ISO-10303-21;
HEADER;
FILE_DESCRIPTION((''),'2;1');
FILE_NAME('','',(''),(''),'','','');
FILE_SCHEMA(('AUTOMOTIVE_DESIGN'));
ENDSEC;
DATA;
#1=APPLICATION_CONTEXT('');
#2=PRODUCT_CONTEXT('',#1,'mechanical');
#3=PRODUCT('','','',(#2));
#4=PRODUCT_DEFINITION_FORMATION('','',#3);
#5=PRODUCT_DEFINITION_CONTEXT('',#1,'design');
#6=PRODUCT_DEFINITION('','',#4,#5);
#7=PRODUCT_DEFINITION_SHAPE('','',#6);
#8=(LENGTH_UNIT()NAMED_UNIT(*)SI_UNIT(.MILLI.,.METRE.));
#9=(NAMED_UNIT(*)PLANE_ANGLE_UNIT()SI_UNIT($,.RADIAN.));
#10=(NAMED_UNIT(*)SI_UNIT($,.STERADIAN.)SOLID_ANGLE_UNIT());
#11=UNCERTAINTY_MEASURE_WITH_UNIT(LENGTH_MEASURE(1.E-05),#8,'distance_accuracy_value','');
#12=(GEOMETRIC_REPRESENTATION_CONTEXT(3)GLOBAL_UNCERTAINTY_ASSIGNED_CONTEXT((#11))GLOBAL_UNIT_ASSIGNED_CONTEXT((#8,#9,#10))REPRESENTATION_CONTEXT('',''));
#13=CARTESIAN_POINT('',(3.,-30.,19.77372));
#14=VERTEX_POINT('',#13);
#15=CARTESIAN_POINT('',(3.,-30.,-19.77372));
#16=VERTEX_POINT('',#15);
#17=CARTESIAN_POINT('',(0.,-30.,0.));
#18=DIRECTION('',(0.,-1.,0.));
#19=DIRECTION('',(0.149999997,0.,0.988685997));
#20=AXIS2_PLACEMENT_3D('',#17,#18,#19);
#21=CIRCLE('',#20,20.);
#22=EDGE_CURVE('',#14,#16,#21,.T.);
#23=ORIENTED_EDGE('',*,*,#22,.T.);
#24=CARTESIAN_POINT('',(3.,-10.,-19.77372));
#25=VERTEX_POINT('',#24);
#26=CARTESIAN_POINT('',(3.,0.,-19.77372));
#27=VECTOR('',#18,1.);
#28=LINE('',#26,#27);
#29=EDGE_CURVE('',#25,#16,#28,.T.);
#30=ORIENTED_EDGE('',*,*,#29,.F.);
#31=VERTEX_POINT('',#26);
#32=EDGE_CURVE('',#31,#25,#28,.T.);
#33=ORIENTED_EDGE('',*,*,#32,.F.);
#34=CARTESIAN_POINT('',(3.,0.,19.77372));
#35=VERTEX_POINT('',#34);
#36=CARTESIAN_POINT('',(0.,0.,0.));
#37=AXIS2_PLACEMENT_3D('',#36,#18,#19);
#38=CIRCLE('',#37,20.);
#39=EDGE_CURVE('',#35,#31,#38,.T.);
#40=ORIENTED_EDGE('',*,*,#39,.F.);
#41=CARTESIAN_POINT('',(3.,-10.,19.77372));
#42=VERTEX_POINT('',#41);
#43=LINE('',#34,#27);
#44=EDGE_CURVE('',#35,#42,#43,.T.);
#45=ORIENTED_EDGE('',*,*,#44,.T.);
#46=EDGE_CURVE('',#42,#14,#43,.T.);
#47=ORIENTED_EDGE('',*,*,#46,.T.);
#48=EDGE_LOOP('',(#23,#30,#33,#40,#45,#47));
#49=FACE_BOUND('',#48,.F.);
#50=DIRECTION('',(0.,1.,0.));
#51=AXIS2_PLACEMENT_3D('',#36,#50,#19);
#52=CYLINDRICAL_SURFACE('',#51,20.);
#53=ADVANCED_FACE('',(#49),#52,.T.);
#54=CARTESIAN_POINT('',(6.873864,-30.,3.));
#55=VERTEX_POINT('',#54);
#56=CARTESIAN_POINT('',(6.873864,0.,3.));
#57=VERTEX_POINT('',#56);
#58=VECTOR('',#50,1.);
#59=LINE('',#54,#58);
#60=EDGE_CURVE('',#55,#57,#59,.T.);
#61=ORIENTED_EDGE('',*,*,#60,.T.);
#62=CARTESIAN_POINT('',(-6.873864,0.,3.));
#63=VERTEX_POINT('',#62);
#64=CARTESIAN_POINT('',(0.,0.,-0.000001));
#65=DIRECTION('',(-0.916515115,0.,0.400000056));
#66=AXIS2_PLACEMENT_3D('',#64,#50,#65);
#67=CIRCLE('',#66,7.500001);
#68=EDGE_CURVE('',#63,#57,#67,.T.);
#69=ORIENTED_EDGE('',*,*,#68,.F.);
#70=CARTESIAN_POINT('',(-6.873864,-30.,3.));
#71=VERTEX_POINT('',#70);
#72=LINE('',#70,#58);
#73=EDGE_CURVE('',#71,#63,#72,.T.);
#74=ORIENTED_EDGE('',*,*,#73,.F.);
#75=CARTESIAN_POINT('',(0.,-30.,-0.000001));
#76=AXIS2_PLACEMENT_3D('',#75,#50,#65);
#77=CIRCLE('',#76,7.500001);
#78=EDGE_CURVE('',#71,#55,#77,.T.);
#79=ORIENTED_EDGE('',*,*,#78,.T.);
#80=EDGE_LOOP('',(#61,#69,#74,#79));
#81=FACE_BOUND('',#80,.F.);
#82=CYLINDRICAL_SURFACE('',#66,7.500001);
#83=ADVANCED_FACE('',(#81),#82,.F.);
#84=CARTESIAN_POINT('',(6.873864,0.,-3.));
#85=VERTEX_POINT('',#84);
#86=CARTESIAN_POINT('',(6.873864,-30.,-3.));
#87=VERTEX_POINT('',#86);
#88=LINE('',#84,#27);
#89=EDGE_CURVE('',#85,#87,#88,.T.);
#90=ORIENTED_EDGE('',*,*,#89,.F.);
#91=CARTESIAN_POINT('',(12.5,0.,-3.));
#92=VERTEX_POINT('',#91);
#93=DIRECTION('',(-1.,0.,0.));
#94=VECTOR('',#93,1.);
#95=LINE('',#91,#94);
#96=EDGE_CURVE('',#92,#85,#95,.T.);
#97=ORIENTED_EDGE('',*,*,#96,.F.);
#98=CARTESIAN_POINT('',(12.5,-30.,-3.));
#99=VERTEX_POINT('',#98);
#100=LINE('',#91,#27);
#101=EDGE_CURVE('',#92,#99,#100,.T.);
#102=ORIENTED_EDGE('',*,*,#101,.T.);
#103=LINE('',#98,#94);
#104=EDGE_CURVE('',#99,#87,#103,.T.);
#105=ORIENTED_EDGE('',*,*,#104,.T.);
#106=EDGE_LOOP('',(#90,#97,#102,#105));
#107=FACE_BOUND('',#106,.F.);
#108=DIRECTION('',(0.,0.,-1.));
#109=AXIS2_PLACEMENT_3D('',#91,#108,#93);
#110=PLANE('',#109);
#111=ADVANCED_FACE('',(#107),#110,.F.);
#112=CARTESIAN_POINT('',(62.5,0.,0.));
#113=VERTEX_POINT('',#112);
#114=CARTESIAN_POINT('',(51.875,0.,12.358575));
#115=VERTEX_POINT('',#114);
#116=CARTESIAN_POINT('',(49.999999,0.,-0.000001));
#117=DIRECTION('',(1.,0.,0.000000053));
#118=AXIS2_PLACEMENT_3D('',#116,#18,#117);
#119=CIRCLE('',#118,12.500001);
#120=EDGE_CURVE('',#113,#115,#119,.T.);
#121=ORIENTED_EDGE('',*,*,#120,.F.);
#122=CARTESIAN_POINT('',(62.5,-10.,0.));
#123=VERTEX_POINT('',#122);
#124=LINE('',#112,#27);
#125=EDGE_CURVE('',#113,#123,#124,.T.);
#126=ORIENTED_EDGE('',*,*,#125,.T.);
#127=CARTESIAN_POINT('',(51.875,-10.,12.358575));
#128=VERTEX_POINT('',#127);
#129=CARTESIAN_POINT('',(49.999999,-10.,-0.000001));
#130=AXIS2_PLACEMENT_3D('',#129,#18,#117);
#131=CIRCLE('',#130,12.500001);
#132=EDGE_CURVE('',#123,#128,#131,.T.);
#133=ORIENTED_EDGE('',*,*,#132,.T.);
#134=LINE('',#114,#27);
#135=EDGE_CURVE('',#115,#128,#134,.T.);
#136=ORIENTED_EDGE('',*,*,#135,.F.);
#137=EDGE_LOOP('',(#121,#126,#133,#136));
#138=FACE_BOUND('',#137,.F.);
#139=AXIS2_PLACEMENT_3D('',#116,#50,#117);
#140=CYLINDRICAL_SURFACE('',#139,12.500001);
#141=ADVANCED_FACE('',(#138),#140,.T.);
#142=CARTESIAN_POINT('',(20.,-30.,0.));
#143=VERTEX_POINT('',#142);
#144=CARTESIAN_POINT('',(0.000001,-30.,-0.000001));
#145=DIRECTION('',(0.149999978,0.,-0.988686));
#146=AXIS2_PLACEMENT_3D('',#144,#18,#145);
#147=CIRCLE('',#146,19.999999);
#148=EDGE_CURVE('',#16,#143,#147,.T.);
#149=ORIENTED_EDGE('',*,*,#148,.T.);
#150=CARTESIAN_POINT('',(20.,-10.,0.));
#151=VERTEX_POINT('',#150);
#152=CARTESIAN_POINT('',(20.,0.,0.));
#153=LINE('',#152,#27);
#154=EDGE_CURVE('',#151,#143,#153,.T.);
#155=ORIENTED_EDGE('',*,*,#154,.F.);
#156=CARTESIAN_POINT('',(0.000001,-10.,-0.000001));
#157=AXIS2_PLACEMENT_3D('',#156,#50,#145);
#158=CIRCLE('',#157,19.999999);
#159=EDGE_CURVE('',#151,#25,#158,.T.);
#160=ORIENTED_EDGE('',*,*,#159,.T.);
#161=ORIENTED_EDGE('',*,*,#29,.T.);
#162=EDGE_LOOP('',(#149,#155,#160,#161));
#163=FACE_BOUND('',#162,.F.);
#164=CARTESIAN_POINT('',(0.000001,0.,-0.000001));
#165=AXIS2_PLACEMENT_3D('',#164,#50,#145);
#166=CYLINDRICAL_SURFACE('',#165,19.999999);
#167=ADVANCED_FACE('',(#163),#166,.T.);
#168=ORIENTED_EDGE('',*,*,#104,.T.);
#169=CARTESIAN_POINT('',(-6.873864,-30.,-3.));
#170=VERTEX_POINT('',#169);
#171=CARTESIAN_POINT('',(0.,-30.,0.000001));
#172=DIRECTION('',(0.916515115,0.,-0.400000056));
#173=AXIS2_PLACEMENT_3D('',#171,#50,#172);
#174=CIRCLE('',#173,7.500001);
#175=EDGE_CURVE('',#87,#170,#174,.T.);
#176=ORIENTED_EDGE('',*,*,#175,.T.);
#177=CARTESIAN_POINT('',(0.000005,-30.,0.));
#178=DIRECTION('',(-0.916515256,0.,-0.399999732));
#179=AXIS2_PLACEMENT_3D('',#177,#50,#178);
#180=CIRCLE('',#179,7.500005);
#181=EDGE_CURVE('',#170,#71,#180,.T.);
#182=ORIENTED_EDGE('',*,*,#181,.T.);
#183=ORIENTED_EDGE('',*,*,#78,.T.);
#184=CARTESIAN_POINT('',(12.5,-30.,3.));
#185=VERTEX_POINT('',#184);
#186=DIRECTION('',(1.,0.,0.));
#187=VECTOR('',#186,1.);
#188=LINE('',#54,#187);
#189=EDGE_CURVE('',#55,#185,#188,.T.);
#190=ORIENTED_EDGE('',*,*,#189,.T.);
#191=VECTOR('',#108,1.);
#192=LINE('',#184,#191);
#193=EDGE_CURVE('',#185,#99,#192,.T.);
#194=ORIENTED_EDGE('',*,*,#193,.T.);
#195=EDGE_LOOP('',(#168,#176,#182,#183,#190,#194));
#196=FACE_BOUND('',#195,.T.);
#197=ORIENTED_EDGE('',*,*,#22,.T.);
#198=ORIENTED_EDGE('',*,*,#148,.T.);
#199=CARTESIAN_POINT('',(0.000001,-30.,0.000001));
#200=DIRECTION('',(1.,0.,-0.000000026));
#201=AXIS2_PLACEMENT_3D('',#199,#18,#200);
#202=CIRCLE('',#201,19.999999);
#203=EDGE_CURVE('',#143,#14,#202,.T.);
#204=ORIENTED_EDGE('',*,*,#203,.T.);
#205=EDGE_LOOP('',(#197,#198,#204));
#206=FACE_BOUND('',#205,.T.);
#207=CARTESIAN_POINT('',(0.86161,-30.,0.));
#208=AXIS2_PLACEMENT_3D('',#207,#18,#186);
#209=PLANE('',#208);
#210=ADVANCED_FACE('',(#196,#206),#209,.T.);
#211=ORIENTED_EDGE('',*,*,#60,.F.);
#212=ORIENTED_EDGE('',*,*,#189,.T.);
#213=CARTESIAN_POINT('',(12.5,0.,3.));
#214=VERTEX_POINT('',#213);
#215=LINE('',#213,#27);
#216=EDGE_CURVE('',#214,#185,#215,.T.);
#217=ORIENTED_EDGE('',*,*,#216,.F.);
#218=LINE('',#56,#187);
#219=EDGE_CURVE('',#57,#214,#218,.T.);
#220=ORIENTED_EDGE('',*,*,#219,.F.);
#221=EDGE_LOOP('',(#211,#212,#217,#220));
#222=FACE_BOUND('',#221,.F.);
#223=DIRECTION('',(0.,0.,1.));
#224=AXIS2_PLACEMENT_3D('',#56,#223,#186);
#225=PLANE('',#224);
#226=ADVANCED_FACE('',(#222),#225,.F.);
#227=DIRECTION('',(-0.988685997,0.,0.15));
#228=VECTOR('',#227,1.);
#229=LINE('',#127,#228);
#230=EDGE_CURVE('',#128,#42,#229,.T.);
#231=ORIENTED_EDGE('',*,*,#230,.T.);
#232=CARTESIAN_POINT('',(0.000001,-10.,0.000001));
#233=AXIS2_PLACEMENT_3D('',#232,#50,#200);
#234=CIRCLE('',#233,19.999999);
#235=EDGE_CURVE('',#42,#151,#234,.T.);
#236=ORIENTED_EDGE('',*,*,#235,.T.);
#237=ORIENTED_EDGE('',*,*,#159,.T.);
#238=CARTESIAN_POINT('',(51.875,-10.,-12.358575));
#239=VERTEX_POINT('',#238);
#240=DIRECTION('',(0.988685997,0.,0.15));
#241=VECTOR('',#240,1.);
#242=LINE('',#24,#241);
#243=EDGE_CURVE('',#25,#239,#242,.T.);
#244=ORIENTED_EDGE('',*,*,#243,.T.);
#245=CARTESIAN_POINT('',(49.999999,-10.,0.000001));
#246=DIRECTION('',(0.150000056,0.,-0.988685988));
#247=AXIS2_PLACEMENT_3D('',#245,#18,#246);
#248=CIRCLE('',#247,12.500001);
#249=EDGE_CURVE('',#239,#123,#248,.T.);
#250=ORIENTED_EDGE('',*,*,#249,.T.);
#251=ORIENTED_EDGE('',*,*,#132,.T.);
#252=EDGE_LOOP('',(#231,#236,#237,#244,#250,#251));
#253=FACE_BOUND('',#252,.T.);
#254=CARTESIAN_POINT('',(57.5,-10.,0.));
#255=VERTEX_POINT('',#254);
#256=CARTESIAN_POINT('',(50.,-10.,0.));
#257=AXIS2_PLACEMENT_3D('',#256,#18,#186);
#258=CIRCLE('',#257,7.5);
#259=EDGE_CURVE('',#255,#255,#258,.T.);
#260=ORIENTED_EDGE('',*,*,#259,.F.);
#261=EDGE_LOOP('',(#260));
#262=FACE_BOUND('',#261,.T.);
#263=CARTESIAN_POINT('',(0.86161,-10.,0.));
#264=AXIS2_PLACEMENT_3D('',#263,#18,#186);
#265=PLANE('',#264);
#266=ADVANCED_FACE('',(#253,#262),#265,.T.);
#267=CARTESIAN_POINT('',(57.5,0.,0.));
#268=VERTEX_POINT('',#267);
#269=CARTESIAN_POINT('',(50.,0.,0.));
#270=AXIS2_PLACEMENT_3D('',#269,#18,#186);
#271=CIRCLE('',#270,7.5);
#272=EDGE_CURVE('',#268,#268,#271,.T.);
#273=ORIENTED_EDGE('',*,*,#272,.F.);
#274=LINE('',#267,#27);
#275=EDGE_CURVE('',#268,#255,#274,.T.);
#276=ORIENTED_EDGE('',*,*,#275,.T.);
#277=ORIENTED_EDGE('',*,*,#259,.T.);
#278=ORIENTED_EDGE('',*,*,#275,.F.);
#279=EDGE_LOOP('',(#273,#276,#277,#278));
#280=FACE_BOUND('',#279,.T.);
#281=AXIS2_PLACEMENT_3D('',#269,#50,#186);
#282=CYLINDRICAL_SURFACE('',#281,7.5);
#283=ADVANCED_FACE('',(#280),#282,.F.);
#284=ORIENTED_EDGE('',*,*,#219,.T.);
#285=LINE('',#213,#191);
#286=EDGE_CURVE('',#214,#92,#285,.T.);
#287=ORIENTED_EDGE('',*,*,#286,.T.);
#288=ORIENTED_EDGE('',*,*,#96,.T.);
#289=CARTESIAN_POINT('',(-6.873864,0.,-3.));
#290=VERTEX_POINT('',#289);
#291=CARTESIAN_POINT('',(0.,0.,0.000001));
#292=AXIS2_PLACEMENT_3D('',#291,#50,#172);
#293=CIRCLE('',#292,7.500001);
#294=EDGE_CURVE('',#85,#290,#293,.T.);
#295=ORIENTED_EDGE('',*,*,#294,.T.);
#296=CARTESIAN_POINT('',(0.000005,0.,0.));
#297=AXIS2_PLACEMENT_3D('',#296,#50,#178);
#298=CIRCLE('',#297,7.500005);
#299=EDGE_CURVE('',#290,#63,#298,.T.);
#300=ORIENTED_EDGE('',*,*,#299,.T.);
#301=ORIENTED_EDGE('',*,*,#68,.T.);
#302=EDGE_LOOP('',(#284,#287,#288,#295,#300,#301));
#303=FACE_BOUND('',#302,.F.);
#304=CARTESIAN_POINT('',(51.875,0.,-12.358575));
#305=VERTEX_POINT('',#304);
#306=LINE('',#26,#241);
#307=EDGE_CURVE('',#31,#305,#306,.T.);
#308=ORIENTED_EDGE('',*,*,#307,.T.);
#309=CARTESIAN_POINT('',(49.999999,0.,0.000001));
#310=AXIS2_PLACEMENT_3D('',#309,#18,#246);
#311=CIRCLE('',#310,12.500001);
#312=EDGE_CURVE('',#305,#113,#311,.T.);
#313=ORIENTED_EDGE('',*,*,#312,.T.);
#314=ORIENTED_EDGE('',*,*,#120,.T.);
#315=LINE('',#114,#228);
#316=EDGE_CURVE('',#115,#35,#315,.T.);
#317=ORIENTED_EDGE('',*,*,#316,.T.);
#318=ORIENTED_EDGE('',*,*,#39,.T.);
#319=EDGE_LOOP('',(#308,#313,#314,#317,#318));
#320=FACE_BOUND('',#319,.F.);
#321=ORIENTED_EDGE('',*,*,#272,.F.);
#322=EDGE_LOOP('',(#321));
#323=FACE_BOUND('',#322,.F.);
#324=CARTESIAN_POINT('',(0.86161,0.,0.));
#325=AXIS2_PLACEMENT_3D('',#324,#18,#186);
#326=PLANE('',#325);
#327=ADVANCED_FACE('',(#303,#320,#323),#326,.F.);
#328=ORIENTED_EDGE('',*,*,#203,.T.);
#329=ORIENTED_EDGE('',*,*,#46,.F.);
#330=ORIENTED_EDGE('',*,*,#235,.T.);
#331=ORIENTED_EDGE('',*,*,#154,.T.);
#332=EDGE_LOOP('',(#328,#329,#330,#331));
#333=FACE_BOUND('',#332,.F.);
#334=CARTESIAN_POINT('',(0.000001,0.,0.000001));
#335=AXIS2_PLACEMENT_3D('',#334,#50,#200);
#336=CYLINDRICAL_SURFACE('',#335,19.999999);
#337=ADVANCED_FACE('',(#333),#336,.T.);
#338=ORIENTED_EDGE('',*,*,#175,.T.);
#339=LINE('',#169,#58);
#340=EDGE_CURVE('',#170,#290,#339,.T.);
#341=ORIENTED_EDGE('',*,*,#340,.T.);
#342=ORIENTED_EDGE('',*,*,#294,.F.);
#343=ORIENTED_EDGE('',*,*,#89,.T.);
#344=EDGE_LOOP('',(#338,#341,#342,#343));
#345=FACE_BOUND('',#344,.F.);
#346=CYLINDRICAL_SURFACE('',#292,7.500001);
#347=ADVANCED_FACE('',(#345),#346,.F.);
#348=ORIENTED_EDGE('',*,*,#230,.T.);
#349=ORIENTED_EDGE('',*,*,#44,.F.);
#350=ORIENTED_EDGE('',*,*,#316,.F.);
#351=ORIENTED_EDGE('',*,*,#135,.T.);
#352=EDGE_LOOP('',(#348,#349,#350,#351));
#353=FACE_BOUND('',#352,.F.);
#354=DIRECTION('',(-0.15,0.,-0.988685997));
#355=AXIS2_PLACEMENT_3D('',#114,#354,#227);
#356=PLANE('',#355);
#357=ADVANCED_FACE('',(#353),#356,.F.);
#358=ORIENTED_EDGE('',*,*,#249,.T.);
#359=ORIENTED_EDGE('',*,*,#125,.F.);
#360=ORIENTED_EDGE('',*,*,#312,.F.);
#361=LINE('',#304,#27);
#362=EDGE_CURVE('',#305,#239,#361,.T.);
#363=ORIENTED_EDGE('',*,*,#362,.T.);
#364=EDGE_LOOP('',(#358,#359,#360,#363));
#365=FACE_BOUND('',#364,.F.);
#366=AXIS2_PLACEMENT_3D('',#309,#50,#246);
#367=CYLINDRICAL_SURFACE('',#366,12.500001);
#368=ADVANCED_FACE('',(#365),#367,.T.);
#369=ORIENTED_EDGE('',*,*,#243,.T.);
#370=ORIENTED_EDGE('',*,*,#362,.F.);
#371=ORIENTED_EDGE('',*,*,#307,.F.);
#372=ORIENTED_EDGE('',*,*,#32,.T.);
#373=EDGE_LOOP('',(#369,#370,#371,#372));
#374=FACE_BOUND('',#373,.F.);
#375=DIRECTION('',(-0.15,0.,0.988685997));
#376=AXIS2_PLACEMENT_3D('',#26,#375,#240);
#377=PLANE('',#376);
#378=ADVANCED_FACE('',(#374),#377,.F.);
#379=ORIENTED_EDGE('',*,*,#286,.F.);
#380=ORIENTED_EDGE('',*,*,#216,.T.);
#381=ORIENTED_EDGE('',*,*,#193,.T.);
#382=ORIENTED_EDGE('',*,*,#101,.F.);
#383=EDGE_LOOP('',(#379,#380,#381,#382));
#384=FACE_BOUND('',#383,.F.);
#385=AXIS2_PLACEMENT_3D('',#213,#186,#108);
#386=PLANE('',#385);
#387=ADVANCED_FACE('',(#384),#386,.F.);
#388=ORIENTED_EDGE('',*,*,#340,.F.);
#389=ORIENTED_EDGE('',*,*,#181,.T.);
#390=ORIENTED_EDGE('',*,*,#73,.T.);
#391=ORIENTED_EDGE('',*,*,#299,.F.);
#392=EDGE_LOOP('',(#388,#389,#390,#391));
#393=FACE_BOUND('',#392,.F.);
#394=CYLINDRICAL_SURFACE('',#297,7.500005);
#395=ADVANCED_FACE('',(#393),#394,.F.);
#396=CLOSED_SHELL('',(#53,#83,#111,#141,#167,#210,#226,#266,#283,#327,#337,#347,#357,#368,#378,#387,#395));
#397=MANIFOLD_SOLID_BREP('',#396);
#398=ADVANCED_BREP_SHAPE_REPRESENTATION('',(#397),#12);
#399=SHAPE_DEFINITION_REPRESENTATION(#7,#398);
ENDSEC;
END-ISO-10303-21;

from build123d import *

# Parameters (mm, degrees)
F0_R     = 7.5
F1_DEPTH = 10
F2_DEPTH = 30


with BuildPart() as f1:
    # F0 (on Front) → F1 (new body)
    with BuildSketch(Plane.XZ):
        with BuildLine():
            ThreePointArc((3, -19.77372), (15.165751, -13.038405), (20, 0))
            ThreePointArc((20, 0), (15.165751, 13.038405), (3, 19.77372))
            ThreePointArc((3, 19.77372), (-20, 0), (3, -19.77372))
        make_face()
        with BuildLine():
            Line((12.5, 3), (12.5, -3))
            Line((12.5, -3), (6.873864, -3))
            ThreePointArc((6.873864, -3), (0, -7.5), (-6.873864, -3))
            Line((-6.873864, -3), (-12.5, -3))
            Line((-12.5, -3), (-12.5, 3))
            Line((-12.5, 3), (-6.873864, 3))
            ThreePointArc((-6.873864, 3), (0, 7.5), (6.873864, 3))
            Line((6.873864, 3), (12.5, 3))
        make_face(mode=Mode.SUBTRACT)
        with BuildLine():
            ThreePointArc((3, 19.77372), (15.165751, 13.038405), (20, 0))
            ThreePointArc((20, 0), (15.165751, -13.038405), (3, -19.77372))
            Line((3, -19.77372), (51.875, -12.358575))
            ThreePointArc((51.875, -12.358575), (37.5, 0), (51.875, 12.358575))
            Line((51.875, 12.358575), (3, 19.77372))
        make_face()
        with BuildLine():
            ThreePointArc((62.5, 0), (59.478594, 8.149003), (51.875, 12.358575))
            ThreePointArc((51.875, 12.358575), (37.5, 0), (51.875, -12.358575))
            ThreePointArc((51.875, -12.358575), (59.478594, -8.149003), (62.5, 0))
        make_face()
        with Locations((50, 0)):
            Circle(F0_R, mode=Mode.SUBTRACT)
        with BuildLine():
            Line((-12.5, -3), (-6.873864, -3))
            ThreePointArc((-6.873864, -3), (-7.5, 0), (-6.873864, 3))
            Line((-6.873864, 3), (-12.5, 3))
            Line((-12.5, 3), (-12.5, -3))
        make_face()
    extrude(amount=F1_DEPTH)

    # F0 (on Front) → F2 (join)
    with BuildSketch(Plane.XZ):
        with BuildLine():
            ThreePointArc((3, -19.77372), (15.165751, -13.038405), (20, 0))
            ThreePointArc((20, 0), (15.165751, 13.038405), (3, 19.77372))
            ThreePointArc((3, 19.77372), (-20, 0), (3, -19.77372))
        make_face()
        with BuildLine():
            Line((12.5, 3), (12.5, -3))
            Line((12.5, -3), (6.873864, -3))
            ThreePointArc((6.873864, -3), (0, -7.5), (-6.873864, -3))
            Line((-6.873864, -3), (-12.5, -3))
            Line((-12.5, -3), (-12.5, 3))
            Line((-12.5, 3), (-6.873864, 3))
            ThreePointArc((-6.873864, 3), (0, 7.5), (6.873864, 3))
            Line((6.873864, 3), (12.5, 3))
        make_face(mode=Mode.SUBTRACT)
        with BuildLine():
            Line((-12.5, -3), (-6.873864, -3))
            ThreePointArc((-6.873864, -3), (-7.5, 0), (-6.873864, 3))
            Line((-6.873864, 3), (-12.5, 3))
            Line((-12.5, 3), (-12.5, -3))
        make_face()
    extrude(amount=F2_DEPTH)


solid = f1.part
